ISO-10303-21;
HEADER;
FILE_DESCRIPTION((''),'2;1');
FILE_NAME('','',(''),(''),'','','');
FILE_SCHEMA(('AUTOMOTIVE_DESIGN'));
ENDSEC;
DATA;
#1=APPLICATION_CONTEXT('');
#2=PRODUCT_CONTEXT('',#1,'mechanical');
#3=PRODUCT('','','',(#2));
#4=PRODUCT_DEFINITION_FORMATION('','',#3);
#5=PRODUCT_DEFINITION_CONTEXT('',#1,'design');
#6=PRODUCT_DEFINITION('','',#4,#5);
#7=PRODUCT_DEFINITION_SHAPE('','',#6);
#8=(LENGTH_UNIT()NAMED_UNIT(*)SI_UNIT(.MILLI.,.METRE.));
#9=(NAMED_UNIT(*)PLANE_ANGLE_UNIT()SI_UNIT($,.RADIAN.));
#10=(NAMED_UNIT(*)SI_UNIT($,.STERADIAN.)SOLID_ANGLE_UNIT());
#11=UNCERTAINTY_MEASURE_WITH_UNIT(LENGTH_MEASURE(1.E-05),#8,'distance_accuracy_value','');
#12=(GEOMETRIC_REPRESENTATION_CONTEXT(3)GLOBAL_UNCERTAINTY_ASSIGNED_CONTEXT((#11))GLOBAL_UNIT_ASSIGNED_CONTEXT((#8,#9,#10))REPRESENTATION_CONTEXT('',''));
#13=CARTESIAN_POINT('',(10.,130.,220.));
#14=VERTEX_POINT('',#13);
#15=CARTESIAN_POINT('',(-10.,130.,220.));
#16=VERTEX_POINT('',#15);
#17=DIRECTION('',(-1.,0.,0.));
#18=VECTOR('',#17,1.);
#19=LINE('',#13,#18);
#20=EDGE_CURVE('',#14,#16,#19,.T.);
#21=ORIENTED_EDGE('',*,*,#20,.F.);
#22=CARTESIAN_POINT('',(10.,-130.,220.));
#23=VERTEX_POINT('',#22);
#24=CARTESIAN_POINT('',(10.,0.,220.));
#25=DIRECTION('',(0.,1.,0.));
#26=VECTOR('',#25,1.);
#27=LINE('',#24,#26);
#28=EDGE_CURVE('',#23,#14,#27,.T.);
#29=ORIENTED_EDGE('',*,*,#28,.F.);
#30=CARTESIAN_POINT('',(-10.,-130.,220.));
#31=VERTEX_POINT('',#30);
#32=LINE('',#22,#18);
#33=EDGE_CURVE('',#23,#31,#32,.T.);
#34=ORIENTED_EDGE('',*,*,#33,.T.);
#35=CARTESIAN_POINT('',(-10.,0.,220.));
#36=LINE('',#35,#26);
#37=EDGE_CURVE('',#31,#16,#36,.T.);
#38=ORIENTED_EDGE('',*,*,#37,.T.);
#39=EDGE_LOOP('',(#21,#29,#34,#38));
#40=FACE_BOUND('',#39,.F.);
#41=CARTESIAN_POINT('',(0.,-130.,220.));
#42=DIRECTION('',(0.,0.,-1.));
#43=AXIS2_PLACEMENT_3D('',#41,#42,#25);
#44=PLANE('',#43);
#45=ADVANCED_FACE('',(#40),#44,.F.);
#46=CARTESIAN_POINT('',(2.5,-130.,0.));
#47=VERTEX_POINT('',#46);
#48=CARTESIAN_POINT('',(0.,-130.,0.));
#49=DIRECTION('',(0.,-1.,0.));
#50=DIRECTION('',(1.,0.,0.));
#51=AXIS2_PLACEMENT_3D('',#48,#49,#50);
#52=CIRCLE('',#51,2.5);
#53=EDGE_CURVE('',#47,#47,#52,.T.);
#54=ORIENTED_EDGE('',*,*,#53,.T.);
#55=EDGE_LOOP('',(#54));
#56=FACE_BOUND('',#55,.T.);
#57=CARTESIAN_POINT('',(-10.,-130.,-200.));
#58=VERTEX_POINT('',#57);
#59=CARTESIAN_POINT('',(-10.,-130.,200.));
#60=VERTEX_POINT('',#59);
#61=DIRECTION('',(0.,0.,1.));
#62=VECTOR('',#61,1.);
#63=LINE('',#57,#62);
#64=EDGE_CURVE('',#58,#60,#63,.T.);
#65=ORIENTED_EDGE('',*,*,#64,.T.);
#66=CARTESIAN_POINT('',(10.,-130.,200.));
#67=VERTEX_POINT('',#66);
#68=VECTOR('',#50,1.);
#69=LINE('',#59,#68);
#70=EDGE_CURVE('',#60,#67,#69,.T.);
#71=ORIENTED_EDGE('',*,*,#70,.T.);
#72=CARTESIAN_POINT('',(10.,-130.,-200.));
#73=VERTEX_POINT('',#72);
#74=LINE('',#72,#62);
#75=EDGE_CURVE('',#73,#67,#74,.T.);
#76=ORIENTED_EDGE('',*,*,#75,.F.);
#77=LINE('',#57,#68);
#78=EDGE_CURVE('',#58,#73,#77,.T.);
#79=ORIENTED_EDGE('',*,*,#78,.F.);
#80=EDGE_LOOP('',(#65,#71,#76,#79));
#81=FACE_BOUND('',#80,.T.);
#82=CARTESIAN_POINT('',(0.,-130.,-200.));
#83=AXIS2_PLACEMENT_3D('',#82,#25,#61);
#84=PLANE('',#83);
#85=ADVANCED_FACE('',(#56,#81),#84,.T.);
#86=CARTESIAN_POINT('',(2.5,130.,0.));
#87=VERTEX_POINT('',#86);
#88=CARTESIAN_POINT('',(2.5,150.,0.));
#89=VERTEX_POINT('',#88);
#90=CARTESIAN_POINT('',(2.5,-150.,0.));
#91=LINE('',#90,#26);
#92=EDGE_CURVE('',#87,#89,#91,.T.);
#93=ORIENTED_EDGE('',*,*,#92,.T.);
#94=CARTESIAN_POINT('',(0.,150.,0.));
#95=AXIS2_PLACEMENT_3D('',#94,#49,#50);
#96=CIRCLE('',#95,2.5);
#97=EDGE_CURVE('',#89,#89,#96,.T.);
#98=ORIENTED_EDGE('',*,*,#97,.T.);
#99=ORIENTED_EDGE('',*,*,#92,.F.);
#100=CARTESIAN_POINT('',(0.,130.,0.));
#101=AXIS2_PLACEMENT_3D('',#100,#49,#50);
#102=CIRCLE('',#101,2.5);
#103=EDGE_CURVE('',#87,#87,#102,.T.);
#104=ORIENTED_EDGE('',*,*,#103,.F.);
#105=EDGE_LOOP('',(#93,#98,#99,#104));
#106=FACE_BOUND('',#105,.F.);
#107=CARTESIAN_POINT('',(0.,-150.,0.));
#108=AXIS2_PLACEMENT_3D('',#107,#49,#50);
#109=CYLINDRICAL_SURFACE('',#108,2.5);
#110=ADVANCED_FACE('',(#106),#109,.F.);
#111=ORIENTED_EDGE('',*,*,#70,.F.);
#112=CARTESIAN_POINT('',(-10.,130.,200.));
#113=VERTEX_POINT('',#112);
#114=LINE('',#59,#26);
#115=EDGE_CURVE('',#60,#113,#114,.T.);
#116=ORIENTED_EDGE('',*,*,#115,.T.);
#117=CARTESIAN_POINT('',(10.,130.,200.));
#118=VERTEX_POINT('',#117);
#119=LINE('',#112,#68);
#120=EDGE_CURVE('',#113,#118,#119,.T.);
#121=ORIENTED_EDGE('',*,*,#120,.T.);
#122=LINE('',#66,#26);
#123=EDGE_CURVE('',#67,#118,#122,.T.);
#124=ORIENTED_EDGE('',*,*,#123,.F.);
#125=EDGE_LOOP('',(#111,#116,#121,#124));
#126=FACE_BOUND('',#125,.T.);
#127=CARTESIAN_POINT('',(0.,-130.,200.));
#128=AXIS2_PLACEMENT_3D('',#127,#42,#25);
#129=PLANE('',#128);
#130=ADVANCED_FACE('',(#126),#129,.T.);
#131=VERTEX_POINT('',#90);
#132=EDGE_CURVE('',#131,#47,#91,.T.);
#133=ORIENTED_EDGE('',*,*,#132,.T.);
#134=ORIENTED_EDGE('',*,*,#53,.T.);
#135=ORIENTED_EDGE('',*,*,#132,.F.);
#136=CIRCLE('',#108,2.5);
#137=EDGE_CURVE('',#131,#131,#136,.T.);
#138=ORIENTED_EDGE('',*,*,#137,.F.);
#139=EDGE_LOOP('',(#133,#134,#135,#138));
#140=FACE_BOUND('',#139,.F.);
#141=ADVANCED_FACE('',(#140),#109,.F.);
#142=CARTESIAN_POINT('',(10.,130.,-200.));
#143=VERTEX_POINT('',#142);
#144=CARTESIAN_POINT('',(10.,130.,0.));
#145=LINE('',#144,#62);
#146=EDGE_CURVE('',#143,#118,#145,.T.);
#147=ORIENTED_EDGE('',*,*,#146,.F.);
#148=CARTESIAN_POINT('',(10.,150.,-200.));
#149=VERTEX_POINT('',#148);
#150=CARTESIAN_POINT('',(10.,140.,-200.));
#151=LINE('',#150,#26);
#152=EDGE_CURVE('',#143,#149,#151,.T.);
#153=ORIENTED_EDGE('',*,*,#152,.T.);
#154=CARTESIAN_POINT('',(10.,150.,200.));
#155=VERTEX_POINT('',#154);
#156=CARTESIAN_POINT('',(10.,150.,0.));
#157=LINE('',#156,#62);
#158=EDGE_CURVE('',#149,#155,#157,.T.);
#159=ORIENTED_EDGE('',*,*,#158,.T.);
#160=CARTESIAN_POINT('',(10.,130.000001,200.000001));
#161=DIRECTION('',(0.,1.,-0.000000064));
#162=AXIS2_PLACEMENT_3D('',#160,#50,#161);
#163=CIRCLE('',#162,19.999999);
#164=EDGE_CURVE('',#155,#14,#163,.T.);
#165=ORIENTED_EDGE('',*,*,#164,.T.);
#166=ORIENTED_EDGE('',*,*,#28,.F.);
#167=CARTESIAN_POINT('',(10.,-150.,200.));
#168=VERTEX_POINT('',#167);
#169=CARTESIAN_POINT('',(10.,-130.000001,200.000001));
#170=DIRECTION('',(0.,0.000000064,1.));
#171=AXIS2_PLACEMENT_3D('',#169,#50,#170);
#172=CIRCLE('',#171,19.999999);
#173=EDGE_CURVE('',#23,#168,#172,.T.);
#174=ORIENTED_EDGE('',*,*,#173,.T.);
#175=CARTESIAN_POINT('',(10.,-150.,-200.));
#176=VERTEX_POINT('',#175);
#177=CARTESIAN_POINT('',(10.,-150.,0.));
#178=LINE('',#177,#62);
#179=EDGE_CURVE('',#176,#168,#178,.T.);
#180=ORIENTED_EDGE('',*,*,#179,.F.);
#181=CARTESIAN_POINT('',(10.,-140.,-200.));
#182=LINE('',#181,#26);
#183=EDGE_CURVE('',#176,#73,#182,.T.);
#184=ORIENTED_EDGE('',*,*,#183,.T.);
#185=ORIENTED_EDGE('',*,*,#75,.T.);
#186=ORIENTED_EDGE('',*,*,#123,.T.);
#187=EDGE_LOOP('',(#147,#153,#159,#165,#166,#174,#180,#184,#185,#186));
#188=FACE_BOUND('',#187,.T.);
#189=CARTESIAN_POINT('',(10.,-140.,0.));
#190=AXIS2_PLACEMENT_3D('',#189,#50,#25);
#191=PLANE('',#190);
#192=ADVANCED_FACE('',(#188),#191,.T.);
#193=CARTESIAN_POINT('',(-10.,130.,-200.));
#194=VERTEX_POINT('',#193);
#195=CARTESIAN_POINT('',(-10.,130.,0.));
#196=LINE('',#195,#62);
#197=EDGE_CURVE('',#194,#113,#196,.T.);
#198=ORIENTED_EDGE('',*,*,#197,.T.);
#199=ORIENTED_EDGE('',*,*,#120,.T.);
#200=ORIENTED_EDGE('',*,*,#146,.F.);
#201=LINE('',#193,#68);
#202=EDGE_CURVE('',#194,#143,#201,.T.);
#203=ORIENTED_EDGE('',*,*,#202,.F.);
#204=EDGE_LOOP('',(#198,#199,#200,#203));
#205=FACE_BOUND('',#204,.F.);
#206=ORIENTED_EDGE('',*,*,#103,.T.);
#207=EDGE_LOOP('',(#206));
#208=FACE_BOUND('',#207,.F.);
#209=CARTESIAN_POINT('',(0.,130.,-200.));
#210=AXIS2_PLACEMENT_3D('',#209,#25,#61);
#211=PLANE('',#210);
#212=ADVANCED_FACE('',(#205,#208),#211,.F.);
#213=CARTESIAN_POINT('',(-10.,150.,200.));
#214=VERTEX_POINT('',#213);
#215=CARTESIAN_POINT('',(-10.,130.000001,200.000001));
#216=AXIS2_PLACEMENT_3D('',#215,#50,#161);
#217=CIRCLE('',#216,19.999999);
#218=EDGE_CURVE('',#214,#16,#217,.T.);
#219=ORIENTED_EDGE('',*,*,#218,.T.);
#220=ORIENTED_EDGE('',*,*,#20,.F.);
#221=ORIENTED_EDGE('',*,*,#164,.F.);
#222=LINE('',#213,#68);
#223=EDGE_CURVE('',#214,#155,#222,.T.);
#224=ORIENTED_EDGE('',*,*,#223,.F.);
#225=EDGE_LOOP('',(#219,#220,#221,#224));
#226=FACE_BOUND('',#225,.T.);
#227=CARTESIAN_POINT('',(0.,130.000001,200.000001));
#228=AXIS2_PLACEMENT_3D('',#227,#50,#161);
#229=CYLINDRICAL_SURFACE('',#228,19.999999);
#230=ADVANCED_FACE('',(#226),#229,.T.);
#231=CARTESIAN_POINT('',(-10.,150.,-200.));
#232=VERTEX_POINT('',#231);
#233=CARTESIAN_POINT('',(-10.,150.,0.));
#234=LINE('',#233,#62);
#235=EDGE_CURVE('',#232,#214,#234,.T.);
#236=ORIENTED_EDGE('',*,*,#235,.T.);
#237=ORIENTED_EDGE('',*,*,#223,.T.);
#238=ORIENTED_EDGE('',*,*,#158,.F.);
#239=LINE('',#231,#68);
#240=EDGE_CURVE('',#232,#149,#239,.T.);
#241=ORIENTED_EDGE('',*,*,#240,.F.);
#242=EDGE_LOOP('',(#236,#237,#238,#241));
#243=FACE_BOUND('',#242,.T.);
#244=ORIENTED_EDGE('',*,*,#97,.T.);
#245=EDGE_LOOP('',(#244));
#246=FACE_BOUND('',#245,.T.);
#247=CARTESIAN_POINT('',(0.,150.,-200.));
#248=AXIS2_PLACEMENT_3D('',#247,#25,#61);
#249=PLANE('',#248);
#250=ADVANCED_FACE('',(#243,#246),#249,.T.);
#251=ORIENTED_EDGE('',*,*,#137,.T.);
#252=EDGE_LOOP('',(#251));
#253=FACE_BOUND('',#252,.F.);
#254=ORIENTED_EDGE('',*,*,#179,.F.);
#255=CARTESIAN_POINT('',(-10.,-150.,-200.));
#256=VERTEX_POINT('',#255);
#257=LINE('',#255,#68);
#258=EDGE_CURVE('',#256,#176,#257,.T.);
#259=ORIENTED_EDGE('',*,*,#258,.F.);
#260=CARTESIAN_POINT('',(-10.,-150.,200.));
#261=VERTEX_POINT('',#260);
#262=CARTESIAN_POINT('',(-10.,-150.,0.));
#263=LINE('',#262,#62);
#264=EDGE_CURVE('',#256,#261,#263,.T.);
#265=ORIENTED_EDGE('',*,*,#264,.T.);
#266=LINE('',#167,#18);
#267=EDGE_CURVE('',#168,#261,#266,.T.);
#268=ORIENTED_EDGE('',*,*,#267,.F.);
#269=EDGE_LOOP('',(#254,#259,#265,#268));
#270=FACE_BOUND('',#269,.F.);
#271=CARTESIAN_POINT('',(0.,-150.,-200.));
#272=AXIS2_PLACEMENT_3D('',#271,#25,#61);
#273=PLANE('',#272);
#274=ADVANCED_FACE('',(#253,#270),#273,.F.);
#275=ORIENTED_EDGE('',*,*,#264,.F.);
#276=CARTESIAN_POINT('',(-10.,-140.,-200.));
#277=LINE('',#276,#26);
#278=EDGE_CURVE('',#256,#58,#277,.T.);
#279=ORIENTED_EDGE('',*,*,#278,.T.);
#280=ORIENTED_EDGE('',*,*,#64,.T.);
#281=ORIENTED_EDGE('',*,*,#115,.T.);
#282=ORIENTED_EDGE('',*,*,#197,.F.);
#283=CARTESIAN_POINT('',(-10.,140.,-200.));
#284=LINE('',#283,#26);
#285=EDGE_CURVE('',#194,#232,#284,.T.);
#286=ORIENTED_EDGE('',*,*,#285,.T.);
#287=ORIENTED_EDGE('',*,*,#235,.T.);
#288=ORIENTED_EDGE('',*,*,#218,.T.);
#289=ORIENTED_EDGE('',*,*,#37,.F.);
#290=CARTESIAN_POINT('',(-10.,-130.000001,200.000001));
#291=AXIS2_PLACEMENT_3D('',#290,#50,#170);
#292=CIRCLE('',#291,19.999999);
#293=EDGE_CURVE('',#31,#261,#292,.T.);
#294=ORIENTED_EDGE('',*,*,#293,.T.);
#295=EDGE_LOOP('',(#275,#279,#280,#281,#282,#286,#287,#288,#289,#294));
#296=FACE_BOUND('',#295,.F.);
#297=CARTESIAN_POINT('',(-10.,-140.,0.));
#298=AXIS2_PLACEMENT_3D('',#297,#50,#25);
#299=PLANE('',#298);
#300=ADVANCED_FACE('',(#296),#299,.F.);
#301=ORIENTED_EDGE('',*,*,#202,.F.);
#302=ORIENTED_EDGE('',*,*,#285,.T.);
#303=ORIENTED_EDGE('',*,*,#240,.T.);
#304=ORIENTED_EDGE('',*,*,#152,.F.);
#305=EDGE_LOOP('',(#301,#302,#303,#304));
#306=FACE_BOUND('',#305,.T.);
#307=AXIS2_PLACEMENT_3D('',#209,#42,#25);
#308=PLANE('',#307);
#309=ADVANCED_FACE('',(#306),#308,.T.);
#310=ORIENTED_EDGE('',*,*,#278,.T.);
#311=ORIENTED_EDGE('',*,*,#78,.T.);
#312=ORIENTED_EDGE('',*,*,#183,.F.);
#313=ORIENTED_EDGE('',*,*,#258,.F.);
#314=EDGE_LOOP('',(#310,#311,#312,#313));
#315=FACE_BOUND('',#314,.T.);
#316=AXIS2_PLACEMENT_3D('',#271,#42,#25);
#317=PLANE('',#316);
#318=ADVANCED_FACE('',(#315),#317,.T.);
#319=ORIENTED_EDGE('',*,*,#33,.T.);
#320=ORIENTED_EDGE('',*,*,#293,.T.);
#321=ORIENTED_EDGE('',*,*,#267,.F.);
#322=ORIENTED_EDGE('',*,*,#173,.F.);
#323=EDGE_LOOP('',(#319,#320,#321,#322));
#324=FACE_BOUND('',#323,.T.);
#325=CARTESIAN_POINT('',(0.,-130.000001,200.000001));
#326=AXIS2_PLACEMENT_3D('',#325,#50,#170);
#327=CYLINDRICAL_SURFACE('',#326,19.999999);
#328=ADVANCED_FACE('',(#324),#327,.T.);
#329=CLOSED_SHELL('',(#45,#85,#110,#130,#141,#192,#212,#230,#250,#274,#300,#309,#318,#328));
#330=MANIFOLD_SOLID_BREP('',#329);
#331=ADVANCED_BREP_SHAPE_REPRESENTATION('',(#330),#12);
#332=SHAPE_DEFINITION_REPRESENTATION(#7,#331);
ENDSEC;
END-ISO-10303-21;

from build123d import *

# Parameters (mm, degrees)
F0_W     = 20
F0_H     = 400
F0_W_2   = 260
F0_H_2   = 20
F1_DEPTH = 10
F2_R     = 2.5
F3_DEPTH = 3000


with BuildPart() as f1:
    # F0 (on Right) → F1 (new body, symmetric)
    with BuildSketch(Plane.YZ):
        with Locations((-140, 0)):
            Rectangle(F0_W, F0_H)
        with BuildLine():
            ThreePointArc((-130, 220), (-144.142136, 214.142136), (-150, 200))
            Line((-150, 200), (-130, 200))
            Line((-130, 200), (-130, 220))
        make_face()
        with Locations((0, 210)):
            Rectangle(F0_W_2, F0_H_2)
        with BuildLine():
            Line((130, 220), (130, 200))
            Line((130, 200), (150, 200))
            ThreePointArc((150, 200), (144.142136, 214.142136), (130, 220))
        make_face()
        with Locations((140, 0)):
            Rectangle(F0_W, F0_H)
    extrude(amount=F1_DEPTH, both=True)

    # F2 (on face) → F3 (cut)
    with BuildSketch(Plane.XZ.offset(150)):
        Circle(F2_R)
    extrude(amount=-F3_DEPTH, mode=Mode.SUBTRACT)


solid = f1.part
